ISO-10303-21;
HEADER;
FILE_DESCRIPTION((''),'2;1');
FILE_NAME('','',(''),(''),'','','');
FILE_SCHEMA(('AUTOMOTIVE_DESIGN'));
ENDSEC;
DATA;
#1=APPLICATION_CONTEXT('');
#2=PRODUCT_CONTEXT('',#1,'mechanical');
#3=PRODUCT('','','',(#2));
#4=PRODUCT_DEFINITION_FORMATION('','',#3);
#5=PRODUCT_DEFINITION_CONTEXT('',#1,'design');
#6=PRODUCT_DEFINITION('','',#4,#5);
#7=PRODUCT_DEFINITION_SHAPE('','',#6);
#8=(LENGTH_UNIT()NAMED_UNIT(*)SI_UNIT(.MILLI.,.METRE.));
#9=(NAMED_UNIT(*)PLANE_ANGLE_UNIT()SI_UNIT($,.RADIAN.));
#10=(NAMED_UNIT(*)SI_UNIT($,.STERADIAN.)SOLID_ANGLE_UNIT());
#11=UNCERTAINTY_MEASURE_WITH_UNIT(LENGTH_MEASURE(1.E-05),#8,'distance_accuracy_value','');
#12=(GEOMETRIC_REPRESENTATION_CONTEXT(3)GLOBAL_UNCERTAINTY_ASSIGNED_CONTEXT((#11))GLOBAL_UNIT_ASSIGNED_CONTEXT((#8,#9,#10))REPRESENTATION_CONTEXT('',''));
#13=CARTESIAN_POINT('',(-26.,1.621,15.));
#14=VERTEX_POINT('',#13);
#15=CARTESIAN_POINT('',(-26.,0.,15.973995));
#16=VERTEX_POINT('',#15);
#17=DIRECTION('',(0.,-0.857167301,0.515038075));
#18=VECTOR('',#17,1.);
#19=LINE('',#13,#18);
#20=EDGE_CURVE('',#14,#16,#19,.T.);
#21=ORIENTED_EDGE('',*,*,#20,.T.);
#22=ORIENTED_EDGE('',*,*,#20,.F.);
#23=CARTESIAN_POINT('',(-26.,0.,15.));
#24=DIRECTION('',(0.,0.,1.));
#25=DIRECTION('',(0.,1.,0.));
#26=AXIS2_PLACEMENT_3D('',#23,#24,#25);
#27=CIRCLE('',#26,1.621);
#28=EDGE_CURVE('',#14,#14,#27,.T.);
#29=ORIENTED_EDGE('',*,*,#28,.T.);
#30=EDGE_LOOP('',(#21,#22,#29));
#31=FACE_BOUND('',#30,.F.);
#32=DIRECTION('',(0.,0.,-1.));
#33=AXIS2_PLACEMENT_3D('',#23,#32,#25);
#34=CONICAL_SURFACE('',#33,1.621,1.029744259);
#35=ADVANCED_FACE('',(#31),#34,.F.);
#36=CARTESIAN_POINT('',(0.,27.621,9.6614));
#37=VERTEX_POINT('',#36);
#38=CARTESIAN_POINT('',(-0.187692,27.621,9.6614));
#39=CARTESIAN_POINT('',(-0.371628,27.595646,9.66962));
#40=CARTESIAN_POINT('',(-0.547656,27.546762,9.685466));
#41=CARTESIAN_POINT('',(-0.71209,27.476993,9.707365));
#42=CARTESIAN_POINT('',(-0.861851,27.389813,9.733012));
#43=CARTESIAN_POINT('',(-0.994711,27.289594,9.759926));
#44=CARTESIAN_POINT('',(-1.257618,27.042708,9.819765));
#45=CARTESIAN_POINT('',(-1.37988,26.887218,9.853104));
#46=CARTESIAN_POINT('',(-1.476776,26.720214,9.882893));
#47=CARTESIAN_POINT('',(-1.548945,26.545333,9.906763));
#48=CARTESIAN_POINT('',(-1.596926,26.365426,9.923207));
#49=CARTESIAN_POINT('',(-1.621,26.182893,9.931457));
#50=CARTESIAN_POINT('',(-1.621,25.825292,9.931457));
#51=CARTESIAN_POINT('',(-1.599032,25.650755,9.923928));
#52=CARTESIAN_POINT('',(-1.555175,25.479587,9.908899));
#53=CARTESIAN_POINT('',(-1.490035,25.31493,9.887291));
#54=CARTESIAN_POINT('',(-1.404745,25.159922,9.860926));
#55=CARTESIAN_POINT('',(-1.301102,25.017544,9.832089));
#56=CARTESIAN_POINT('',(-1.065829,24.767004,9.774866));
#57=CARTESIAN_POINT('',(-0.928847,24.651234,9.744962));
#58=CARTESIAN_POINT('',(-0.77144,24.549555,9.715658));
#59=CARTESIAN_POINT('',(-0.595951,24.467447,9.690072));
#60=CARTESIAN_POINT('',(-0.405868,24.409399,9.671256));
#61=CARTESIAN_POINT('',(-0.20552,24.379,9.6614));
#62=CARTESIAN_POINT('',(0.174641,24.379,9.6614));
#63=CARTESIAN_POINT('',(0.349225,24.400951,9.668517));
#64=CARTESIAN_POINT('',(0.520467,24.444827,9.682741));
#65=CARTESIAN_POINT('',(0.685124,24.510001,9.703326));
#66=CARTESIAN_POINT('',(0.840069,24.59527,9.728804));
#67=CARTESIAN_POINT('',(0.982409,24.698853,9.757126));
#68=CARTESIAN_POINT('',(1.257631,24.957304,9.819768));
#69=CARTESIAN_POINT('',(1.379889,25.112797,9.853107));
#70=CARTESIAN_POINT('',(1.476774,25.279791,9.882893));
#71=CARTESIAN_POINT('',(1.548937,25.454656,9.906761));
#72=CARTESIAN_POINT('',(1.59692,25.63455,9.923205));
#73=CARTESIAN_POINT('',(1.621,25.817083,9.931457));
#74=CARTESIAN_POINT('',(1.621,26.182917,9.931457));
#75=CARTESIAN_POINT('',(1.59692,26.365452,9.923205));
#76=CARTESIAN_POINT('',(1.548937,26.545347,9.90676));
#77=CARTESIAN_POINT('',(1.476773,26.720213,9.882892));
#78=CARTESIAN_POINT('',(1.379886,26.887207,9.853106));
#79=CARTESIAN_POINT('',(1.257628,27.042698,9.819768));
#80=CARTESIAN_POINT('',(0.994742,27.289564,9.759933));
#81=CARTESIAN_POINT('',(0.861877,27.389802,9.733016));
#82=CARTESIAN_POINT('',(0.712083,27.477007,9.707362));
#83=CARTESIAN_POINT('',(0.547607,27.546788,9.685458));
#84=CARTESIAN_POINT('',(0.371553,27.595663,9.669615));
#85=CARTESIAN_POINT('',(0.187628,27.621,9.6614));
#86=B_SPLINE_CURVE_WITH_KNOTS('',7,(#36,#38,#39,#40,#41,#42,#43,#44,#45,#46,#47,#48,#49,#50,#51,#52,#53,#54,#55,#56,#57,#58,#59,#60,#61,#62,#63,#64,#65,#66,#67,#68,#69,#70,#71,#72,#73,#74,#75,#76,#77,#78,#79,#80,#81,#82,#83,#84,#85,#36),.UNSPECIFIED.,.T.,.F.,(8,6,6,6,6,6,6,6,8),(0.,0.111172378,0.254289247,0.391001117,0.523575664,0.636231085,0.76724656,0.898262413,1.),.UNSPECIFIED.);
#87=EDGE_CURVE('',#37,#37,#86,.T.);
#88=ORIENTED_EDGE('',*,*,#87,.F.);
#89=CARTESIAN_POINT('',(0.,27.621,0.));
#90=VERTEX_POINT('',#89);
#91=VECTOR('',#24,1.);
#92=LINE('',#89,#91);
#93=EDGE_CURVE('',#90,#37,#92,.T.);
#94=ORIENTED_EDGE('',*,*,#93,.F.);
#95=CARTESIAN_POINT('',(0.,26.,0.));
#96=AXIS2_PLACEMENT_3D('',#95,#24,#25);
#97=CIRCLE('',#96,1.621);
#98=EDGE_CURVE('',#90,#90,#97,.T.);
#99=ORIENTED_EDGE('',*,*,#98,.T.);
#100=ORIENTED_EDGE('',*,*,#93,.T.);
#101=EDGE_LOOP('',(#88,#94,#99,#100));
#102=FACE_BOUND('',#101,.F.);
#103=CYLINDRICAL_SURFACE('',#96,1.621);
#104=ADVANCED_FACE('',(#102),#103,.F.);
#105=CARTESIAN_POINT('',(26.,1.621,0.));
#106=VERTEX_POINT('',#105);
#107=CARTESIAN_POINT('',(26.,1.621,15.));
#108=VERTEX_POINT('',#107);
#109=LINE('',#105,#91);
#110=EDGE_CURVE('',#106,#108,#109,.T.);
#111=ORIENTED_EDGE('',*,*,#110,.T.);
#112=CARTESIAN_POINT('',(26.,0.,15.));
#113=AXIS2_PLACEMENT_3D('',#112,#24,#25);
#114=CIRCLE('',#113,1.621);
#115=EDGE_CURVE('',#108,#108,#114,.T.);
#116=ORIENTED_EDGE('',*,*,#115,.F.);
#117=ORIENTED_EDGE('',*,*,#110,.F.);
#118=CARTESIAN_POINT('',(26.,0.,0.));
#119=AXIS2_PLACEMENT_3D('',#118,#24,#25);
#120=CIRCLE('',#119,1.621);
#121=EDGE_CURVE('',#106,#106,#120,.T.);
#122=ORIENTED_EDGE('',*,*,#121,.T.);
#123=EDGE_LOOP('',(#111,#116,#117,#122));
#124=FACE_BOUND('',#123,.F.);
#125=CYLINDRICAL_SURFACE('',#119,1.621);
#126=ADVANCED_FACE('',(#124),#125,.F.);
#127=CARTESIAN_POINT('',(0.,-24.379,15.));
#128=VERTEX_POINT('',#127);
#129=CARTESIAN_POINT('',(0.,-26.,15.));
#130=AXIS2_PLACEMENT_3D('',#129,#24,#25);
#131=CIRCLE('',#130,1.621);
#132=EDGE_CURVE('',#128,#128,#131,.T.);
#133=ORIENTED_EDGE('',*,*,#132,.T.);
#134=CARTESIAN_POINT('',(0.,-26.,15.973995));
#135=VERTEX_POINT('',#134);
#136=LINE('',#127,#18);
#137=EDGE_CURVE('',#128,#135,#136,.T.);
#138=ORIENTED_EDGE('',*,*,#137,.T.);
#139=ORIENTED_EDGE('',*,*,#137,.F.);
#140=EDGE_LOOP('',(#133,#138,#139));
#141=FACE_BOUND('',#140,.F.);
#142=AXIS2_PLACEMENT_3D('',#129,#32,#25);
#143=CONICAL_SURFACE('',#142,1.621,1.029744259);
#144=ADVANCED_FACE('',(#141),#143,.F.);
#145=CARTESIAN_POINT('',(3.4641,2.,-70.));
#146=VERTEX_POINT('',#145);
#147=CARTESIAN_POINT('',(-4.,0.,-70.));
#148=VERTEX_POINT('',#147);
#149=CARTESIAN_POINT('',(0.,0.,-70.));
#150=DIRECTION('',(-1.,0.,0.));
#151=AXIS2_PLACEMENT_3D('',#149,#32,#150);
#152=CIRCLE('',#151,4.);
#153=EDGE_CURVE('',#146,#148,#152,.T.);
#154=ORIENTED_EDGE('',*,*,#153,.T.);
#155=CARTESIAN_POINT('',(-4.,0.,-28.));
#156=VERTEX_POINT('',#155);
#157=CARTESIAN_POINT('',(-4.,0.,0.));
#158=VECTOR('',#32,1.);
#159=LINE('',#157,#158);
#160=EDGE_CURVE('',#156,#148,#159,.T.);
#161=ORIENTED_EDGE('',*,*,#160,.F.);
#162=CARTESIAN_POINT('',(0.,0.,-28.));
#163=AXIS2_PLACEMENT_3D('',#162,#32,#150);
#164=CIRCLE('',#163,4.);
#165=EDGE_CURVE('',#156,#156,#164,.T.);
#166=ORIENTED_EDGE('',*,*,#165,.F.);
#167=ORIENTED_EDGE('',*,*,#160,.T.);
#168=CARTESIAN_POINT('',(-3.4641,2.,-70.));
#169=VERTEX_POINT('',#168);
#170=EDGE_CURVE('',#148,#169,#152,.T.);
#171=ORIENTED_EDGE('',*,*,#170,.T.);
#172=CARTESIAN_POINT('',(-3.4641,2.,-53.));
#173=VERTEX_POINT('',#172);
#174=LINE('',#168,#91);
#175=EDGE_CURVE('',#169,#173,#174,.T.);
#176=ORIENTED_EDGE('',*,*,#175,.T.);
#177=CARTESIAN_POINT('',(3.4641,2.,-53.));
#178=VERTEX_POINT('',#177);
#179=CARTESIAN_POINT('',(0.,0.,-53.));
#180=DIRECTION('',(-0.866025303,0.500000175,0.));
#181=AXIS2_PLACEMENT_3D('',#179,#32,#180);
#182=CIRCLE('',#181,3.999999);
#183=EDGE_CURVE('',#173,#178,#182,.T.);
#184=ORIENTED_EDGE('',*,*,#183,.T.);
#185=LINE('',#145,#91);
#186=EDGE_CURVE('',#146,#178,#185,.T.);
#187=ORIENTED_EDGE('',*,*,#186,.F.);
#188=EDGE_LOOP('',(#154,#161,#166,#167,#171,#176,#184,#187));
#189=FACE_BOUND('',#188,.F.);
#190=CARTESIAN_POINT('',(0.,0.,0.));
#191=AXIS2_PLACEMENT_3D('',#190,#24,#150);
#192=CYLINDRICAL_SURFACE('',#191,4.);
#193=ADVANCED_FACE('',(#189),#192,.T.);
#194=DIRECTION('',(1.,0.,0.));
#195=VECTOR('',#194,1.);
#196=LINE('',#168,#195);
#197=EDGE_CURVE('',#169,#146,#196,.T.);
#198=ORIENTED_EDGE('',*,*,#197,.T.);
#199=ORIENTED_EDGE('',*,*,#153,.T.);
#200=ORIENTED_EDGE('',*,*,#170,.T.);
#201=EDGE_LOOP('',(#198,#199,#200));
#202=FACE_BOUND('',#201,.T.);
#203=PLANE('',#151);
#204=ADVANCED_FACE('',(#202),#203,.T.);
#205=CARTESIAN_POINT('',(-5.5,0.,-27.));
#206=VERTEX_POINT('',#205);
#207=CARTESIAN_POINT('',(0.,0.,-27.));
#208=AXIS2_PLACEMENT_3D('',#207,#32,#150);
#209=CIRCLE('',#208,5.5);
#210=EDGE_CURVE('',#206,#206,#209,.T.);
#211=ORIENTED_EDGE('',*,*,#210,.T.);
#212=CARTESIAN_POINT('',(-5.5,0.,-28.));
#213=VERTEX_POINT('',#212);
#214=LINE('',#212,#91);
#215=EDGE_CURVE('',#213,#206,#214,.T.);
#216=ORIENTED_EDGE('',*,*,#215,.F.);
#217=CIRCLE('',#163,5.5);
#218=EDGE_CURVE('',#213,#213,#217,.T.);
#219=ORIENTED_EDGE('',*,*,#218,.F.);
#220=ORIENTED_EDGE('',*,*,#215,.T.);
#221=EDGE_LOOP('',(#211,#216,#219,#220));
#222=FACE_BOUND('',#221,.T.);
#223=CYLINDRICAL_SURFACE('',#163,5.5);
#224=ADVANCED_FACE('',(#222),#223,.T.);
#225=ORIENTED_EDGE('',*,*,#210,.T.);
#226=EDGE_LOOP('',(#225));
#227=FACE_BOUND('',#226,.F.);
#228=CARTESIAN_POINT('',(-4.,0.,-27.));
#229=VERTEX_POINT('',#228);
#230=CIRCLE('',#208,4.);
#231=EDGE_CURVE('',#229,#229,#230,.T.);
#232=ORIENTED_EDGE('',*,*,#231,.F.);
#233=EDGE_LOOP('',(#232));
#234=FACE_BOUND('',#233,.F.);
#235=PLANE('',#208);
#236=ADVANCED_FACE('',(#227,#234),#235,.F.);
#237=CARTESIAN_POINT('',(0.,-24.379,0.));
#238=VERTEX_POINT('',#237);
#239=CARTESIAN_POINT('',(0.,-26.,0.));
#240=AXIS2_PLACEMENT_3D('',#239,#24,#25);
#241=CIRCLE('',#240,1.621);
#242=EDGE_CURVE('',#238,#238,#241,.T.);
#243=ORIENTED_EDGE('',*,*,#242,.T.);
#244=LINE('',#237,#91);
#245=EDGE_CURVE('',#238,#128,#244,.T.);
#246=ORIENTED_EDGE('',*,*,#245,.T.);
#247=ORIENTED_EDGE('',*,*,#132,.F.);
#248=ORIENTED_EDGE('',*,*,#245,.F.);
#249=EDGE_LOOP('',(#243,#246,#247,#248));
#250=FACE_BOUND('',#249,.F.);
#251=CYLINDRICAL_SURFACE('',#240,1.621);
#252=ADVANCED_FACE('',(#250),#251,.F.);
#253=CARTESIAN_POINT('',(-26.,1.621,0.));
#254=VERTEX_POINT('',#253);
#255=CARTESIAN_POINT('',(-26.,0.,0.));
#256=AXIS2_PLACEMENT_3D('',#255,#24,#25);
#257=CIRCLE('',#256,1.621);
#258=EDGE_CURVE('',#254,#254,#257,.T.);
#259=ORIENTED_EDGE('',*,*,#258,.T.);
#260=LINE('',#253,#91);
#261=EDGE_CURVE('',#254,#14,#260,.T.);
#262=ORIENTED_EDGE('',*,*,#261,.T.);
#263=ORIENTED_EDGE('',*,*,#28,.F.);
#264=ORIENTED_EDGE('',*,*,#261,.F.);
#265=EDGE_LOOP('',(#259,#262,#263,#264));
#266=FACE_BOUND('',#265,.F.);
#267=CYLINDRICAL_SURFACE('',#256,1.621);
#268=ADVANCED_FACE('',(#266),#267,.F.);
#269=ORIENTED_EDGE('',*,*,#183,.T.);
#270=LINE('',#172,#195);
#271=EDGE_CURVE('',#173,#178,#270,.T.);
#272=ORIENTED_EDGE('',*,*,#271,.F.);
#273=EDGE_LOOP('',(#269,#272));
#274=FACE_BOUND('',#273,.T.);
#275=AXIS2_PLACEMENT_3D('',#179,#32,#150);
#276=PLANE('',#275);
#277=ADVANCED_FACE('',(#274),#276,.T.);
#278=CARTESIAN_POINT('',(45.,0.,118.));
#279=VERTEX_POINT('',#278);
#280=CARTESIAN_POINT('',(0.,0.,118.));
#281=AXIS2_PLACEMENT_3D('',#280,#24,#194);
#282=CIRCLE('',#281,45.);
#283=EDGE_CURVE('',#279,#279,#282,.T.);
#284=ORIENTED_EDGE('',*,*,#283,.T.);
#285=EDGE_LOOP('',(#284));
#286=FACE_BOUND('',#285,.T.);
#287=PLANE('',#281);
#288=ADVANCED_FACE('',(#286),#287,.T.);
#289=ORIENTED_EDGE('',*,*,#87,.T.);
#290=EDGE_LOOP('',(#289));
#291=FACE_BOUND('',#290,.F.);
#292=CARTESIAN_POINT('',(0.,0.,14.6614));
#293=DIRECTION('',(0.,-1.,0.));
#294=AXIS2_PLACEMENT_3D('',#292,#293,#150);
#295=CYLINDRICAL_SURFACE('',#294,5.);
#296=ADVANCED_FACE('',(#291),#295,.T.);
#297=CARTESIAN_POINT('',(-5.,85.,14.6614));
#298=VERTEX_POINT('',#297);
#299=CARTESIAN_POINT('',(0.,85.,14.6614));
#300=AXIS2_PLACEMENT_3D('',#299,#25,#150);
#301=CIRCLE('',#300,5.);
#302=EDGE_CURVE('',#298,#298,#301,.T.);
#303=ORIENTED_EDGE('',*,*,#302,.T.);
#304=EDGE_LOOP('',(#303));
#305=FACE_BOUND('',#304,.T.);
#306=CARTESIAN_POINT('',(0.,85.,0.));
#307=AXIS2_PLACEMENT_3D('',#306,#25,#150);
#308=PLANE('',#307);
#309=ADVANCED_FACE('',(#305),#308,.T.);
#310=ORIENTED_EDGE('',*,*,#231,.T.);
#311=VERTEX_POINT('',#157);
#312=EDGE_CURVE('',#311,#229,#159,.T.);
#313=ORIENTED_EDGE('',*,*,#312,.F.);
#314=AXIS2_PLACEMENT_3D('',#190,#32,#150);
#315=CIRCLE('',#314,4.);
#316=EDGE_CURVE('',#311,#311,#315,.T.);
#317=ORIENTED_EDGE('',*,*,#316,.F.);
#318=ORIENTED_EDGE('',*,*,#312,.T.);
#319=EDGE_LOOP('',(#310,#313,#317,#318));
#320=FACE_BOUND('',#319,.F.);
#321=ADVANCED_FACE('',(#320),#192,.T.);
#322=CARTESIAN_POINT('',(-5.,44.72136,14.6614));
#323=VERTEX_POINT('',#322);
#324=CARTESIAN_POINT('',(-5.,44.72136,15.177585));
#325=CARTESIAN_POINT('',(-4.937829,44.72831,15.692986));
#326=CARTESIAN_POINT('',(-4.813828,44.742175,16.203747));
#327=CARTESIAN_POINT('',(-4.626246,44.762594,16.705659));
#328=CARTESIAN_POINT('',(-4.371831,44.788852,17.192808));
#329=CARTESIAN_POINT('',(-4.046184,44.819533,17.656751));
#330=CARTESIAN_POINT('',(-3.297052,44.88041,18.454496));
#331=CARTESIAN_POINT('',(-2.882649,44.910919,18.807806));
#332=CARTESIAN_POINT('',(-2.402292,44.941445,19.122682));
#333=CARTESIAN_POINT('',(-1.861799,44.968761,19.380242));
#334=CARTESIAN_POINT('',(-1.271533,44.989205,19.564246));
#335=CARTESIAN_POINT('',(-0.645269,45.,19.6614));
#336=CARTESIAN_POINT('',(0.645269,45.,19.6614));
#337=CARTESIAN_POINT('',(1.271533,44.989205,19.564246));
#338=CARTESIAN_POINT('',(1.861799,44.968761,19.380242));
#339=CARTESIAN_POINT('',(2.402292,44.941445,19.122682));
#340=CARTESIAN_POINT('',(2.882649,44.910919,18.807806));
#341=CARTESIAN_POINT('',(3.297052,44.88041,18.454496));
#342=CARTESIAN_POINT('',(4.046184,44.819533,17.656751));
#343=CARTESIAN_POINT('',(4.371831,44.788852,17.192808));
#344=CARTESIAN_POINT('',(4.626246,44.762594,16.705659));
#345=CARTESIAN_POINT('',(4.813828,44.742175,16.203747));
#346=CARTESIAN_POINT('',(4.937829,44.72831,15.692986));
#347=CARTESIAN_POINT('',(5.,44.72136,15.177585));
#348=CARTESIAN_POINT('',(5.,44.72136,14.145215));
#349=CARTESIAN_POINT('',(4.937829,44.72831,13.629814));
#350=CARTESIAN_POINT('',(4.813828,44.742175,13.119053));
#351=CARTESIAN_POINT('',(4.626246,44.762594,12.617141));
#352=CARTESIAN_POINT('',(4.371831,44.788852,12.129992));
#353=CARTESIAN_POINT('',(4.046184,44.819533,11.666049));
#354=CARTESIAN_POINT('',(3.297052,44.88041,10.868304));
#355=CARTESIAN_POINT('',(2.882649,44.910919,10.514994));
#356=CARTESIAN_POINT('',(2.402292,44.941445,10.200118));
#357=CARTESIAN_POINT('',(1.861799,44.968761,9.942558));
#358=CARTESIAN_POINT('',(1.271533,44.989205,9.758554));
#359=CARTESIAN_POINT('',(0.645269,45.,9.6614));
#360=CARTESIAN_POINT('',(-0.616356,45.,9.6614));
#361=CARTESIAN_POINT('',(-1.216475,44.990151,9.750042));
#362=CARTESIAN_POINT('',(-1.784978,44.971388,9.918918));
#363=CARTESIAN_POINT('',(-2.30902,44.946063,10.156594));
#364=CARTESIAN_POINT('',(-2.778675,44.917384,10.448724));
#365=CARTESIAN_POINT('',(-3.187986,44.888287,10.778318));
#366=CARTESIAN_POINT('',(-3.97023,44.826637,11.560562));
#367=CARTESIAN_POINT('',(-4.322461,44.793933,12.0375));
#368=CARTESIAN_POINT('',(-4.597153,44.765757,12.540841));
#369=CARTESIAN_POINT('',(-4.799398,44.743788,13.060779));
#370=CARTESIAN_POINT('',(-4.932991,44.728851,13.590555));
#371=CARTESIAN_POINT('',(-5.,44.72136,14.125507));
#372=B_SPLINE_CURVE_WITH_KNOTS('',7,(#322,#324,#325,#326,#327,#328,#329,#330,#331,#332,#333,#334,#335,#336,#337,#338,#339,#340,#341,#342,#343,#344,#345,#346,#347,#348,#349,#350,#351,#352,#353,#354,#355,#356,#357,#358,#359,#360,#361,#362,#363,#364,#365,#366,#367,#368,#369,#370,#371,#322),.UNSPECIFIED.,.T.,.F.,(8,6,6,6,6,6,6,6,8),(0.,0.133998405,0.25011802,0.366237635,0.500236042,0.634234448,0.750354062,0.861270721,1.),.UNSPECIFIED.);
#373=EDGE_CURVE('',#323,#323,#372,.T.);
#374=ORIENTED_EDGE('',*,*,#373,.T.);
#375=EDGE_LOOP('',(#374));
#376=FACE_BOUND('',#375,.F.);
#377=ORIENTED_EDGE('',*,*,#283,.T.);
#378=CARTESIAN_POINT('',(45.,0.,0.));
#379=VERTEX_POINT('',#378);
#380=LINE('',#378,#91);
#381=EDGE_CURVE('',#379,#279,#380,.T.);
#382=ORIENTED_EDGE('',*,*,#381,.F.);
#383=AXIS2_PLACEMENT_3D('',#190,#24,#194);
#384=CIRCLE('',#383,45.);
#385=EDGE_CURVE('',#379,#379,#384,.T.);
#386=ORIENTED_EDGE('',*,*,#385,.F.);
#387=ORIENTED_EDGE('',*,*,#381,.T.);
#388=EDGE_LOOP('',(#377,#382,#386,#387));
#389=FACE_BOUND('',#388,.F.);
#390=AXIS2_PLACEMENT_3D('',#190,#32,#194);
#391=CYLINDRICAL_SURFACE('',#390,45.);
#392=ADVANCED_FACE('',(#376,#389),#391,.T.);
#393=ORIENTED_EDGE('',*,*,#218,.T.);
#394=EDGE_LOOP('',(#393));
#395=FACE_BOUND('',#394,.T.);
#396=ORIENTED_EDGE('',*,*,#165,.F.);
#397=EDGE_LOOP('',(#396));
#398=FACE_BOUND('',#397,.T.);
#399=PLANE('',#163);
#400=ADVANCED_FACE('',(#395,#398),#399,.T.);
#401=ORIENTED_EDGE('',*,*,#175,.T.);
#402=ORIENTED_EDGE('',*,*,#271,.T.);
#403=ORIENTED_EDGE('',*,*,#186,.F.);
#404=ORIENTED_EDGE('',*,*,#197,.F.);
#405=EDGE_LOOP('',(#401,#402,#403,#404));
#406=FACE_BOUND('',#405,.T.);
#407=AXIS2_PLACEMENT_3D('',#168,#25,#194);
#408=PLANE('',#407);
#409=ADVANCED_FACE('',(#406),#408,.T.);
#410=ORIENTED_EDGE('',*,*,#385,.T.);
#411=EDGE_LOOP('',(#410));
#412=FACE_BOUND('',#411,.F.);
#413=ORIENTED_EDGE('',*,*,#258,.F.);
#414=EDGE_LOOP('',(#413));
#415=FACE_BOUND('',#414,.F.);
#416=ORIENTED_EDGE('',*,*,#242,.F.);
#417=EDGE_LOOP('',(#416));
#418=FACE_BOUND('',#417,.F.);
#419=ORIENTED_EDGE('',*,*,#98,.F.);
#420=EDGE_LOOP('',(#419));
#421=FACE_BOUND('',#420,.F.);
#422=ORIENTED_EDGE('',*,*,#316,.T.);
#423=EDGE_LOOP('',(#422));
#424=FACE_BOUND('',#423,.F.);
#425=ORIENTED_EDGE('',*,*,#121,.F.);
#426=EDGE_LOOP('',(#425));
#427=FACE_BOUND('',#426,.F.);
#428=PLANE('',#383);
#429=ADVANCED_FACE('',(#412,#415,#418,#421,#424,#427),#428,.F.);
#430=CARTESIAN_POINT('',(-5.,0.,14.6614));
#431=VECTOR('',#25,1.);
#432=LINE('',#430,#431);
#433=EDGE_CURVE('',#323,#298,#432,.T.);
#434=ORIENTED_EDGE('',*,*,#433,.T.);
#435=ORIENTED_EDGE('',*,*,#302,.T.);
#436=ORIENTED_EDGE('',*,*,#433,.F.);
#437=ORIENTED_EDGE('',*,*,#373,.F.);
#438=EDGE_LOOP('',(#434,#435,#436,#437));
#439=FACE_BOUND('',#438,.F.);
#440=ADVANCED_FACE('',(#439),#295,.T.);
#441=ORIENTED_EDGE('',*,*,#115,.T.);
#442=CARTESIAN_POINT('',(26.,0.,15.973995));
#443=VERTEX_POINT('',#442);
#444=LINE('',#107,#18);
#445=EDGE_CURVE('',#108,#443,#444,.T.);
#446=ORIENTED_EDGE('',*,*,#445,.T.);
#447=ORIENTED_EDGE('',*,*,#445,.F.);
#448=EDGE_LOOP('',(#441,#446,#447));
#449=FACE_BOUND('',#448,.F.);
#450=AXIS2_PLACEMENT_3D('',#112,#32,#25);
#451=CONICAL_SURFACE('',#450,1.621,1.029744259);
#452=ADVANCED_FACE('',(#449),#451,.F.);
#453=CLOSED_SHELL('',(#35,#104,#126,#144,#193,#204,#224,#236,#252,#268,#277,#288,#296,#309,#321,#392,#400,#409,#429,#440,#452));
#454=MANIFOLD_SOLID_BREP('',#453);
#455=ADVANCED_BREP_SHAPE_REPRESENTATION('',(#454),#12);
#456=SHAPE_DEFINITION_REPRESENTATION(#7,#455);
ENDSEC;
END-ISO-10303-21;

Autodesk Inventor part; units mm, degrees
ref_plane "YZ Plane" through (0, 0, 0) normal (1, 0, 0) x (0, 1, 0)
ref_plane "XZ Plane" through (0, 0, 0) normal (0, 1, 0) x (-1, 0, 0)
sketch "Sketch2" plane through (0, 0, 0) normal (0, 0, 1) x (1, 0, 0)
  circle A0 centre (0, 0) radius 45
  dimension "d11" = 90
extrude "Extrusion2" add sketch "Sketch2" along normal blind 118
sketch "Sketch3" plane through (0, 0, 0) normal (0, 0, -1) x (-1, 0, 0)
  circle A0 centre (0, 0) radius 4
  dimension "d14" = 8
extrude "Extrusion3" add sketch "Sketch3" along normal blind 70
thread "Thread1" size "M8x1.25" class "6g" standard "ANSI Metric M Profile" length 17
sketch "Sketch4" plane through (0, 0, -70) normal (0, 0, -1) x (-1, 0, 0)
  line L0 (3.4641, 2) -> (-3.4641, 2)
  arc A0 (3.4641, 2) -> (-3.4641, 2) centre (0, 0) ccw
  circle A1 centre (0, 0) radius 4 projected
  dimension "d19" = 2
extrude "Extrusion4" cut sketch "Sketch4" against normal blind 17 contours L0 A0
ref_plane "Work Plane1" through (0, 0, -28) normal (0, 0, -1) x (-1, 0, 0)
sketch "Sketch5" plane through (0, 0, -28) normal (0, 0, -1) x (-1, 0, 0)
  circle A0 centre (0, 0) radius 4 projected
  circle A1 centre (0, 0) radius 5.5
  dimension "d23" = 1.5
extrude "Extrusion5" add sketch "Sketch5" against normal blind 1
sketch "Sketch6" plane through (0, 0, 0) normal (0, 0, -1) x (-1, 0, 0)
  circle A0 centre (0, 0) radius 26 construction
  point P0 (0, -26)
  point P1 (-26, 0)
  point P2 (0, 26)
  point P3 (26, 0)
  dimension "d26" = 52
hole "Hole1" at (0, -26, 0) at (26, 0, 0) at (0, 26, 0) at (-26, 0, 0) direction (0, 0, 1) diameter 3.242 depth 15 tip angle 118 thread size "M4x0.7" class "6H" standard "ANSI Metric M Profile"
sketch "Sketch7" plane through (0, 0, 0) normal (0, 1, 0) x (-1, 0, 0)
  circle A0 centre (0, 14.6614) radius 5
  point P0 (0, 0)
  dimension "d34" = 10
extrude "Extrusion6" add sketch "Sketch7" along normal blind 85
properties part number "P01 - Fan Motor" material "SAE 1020"
